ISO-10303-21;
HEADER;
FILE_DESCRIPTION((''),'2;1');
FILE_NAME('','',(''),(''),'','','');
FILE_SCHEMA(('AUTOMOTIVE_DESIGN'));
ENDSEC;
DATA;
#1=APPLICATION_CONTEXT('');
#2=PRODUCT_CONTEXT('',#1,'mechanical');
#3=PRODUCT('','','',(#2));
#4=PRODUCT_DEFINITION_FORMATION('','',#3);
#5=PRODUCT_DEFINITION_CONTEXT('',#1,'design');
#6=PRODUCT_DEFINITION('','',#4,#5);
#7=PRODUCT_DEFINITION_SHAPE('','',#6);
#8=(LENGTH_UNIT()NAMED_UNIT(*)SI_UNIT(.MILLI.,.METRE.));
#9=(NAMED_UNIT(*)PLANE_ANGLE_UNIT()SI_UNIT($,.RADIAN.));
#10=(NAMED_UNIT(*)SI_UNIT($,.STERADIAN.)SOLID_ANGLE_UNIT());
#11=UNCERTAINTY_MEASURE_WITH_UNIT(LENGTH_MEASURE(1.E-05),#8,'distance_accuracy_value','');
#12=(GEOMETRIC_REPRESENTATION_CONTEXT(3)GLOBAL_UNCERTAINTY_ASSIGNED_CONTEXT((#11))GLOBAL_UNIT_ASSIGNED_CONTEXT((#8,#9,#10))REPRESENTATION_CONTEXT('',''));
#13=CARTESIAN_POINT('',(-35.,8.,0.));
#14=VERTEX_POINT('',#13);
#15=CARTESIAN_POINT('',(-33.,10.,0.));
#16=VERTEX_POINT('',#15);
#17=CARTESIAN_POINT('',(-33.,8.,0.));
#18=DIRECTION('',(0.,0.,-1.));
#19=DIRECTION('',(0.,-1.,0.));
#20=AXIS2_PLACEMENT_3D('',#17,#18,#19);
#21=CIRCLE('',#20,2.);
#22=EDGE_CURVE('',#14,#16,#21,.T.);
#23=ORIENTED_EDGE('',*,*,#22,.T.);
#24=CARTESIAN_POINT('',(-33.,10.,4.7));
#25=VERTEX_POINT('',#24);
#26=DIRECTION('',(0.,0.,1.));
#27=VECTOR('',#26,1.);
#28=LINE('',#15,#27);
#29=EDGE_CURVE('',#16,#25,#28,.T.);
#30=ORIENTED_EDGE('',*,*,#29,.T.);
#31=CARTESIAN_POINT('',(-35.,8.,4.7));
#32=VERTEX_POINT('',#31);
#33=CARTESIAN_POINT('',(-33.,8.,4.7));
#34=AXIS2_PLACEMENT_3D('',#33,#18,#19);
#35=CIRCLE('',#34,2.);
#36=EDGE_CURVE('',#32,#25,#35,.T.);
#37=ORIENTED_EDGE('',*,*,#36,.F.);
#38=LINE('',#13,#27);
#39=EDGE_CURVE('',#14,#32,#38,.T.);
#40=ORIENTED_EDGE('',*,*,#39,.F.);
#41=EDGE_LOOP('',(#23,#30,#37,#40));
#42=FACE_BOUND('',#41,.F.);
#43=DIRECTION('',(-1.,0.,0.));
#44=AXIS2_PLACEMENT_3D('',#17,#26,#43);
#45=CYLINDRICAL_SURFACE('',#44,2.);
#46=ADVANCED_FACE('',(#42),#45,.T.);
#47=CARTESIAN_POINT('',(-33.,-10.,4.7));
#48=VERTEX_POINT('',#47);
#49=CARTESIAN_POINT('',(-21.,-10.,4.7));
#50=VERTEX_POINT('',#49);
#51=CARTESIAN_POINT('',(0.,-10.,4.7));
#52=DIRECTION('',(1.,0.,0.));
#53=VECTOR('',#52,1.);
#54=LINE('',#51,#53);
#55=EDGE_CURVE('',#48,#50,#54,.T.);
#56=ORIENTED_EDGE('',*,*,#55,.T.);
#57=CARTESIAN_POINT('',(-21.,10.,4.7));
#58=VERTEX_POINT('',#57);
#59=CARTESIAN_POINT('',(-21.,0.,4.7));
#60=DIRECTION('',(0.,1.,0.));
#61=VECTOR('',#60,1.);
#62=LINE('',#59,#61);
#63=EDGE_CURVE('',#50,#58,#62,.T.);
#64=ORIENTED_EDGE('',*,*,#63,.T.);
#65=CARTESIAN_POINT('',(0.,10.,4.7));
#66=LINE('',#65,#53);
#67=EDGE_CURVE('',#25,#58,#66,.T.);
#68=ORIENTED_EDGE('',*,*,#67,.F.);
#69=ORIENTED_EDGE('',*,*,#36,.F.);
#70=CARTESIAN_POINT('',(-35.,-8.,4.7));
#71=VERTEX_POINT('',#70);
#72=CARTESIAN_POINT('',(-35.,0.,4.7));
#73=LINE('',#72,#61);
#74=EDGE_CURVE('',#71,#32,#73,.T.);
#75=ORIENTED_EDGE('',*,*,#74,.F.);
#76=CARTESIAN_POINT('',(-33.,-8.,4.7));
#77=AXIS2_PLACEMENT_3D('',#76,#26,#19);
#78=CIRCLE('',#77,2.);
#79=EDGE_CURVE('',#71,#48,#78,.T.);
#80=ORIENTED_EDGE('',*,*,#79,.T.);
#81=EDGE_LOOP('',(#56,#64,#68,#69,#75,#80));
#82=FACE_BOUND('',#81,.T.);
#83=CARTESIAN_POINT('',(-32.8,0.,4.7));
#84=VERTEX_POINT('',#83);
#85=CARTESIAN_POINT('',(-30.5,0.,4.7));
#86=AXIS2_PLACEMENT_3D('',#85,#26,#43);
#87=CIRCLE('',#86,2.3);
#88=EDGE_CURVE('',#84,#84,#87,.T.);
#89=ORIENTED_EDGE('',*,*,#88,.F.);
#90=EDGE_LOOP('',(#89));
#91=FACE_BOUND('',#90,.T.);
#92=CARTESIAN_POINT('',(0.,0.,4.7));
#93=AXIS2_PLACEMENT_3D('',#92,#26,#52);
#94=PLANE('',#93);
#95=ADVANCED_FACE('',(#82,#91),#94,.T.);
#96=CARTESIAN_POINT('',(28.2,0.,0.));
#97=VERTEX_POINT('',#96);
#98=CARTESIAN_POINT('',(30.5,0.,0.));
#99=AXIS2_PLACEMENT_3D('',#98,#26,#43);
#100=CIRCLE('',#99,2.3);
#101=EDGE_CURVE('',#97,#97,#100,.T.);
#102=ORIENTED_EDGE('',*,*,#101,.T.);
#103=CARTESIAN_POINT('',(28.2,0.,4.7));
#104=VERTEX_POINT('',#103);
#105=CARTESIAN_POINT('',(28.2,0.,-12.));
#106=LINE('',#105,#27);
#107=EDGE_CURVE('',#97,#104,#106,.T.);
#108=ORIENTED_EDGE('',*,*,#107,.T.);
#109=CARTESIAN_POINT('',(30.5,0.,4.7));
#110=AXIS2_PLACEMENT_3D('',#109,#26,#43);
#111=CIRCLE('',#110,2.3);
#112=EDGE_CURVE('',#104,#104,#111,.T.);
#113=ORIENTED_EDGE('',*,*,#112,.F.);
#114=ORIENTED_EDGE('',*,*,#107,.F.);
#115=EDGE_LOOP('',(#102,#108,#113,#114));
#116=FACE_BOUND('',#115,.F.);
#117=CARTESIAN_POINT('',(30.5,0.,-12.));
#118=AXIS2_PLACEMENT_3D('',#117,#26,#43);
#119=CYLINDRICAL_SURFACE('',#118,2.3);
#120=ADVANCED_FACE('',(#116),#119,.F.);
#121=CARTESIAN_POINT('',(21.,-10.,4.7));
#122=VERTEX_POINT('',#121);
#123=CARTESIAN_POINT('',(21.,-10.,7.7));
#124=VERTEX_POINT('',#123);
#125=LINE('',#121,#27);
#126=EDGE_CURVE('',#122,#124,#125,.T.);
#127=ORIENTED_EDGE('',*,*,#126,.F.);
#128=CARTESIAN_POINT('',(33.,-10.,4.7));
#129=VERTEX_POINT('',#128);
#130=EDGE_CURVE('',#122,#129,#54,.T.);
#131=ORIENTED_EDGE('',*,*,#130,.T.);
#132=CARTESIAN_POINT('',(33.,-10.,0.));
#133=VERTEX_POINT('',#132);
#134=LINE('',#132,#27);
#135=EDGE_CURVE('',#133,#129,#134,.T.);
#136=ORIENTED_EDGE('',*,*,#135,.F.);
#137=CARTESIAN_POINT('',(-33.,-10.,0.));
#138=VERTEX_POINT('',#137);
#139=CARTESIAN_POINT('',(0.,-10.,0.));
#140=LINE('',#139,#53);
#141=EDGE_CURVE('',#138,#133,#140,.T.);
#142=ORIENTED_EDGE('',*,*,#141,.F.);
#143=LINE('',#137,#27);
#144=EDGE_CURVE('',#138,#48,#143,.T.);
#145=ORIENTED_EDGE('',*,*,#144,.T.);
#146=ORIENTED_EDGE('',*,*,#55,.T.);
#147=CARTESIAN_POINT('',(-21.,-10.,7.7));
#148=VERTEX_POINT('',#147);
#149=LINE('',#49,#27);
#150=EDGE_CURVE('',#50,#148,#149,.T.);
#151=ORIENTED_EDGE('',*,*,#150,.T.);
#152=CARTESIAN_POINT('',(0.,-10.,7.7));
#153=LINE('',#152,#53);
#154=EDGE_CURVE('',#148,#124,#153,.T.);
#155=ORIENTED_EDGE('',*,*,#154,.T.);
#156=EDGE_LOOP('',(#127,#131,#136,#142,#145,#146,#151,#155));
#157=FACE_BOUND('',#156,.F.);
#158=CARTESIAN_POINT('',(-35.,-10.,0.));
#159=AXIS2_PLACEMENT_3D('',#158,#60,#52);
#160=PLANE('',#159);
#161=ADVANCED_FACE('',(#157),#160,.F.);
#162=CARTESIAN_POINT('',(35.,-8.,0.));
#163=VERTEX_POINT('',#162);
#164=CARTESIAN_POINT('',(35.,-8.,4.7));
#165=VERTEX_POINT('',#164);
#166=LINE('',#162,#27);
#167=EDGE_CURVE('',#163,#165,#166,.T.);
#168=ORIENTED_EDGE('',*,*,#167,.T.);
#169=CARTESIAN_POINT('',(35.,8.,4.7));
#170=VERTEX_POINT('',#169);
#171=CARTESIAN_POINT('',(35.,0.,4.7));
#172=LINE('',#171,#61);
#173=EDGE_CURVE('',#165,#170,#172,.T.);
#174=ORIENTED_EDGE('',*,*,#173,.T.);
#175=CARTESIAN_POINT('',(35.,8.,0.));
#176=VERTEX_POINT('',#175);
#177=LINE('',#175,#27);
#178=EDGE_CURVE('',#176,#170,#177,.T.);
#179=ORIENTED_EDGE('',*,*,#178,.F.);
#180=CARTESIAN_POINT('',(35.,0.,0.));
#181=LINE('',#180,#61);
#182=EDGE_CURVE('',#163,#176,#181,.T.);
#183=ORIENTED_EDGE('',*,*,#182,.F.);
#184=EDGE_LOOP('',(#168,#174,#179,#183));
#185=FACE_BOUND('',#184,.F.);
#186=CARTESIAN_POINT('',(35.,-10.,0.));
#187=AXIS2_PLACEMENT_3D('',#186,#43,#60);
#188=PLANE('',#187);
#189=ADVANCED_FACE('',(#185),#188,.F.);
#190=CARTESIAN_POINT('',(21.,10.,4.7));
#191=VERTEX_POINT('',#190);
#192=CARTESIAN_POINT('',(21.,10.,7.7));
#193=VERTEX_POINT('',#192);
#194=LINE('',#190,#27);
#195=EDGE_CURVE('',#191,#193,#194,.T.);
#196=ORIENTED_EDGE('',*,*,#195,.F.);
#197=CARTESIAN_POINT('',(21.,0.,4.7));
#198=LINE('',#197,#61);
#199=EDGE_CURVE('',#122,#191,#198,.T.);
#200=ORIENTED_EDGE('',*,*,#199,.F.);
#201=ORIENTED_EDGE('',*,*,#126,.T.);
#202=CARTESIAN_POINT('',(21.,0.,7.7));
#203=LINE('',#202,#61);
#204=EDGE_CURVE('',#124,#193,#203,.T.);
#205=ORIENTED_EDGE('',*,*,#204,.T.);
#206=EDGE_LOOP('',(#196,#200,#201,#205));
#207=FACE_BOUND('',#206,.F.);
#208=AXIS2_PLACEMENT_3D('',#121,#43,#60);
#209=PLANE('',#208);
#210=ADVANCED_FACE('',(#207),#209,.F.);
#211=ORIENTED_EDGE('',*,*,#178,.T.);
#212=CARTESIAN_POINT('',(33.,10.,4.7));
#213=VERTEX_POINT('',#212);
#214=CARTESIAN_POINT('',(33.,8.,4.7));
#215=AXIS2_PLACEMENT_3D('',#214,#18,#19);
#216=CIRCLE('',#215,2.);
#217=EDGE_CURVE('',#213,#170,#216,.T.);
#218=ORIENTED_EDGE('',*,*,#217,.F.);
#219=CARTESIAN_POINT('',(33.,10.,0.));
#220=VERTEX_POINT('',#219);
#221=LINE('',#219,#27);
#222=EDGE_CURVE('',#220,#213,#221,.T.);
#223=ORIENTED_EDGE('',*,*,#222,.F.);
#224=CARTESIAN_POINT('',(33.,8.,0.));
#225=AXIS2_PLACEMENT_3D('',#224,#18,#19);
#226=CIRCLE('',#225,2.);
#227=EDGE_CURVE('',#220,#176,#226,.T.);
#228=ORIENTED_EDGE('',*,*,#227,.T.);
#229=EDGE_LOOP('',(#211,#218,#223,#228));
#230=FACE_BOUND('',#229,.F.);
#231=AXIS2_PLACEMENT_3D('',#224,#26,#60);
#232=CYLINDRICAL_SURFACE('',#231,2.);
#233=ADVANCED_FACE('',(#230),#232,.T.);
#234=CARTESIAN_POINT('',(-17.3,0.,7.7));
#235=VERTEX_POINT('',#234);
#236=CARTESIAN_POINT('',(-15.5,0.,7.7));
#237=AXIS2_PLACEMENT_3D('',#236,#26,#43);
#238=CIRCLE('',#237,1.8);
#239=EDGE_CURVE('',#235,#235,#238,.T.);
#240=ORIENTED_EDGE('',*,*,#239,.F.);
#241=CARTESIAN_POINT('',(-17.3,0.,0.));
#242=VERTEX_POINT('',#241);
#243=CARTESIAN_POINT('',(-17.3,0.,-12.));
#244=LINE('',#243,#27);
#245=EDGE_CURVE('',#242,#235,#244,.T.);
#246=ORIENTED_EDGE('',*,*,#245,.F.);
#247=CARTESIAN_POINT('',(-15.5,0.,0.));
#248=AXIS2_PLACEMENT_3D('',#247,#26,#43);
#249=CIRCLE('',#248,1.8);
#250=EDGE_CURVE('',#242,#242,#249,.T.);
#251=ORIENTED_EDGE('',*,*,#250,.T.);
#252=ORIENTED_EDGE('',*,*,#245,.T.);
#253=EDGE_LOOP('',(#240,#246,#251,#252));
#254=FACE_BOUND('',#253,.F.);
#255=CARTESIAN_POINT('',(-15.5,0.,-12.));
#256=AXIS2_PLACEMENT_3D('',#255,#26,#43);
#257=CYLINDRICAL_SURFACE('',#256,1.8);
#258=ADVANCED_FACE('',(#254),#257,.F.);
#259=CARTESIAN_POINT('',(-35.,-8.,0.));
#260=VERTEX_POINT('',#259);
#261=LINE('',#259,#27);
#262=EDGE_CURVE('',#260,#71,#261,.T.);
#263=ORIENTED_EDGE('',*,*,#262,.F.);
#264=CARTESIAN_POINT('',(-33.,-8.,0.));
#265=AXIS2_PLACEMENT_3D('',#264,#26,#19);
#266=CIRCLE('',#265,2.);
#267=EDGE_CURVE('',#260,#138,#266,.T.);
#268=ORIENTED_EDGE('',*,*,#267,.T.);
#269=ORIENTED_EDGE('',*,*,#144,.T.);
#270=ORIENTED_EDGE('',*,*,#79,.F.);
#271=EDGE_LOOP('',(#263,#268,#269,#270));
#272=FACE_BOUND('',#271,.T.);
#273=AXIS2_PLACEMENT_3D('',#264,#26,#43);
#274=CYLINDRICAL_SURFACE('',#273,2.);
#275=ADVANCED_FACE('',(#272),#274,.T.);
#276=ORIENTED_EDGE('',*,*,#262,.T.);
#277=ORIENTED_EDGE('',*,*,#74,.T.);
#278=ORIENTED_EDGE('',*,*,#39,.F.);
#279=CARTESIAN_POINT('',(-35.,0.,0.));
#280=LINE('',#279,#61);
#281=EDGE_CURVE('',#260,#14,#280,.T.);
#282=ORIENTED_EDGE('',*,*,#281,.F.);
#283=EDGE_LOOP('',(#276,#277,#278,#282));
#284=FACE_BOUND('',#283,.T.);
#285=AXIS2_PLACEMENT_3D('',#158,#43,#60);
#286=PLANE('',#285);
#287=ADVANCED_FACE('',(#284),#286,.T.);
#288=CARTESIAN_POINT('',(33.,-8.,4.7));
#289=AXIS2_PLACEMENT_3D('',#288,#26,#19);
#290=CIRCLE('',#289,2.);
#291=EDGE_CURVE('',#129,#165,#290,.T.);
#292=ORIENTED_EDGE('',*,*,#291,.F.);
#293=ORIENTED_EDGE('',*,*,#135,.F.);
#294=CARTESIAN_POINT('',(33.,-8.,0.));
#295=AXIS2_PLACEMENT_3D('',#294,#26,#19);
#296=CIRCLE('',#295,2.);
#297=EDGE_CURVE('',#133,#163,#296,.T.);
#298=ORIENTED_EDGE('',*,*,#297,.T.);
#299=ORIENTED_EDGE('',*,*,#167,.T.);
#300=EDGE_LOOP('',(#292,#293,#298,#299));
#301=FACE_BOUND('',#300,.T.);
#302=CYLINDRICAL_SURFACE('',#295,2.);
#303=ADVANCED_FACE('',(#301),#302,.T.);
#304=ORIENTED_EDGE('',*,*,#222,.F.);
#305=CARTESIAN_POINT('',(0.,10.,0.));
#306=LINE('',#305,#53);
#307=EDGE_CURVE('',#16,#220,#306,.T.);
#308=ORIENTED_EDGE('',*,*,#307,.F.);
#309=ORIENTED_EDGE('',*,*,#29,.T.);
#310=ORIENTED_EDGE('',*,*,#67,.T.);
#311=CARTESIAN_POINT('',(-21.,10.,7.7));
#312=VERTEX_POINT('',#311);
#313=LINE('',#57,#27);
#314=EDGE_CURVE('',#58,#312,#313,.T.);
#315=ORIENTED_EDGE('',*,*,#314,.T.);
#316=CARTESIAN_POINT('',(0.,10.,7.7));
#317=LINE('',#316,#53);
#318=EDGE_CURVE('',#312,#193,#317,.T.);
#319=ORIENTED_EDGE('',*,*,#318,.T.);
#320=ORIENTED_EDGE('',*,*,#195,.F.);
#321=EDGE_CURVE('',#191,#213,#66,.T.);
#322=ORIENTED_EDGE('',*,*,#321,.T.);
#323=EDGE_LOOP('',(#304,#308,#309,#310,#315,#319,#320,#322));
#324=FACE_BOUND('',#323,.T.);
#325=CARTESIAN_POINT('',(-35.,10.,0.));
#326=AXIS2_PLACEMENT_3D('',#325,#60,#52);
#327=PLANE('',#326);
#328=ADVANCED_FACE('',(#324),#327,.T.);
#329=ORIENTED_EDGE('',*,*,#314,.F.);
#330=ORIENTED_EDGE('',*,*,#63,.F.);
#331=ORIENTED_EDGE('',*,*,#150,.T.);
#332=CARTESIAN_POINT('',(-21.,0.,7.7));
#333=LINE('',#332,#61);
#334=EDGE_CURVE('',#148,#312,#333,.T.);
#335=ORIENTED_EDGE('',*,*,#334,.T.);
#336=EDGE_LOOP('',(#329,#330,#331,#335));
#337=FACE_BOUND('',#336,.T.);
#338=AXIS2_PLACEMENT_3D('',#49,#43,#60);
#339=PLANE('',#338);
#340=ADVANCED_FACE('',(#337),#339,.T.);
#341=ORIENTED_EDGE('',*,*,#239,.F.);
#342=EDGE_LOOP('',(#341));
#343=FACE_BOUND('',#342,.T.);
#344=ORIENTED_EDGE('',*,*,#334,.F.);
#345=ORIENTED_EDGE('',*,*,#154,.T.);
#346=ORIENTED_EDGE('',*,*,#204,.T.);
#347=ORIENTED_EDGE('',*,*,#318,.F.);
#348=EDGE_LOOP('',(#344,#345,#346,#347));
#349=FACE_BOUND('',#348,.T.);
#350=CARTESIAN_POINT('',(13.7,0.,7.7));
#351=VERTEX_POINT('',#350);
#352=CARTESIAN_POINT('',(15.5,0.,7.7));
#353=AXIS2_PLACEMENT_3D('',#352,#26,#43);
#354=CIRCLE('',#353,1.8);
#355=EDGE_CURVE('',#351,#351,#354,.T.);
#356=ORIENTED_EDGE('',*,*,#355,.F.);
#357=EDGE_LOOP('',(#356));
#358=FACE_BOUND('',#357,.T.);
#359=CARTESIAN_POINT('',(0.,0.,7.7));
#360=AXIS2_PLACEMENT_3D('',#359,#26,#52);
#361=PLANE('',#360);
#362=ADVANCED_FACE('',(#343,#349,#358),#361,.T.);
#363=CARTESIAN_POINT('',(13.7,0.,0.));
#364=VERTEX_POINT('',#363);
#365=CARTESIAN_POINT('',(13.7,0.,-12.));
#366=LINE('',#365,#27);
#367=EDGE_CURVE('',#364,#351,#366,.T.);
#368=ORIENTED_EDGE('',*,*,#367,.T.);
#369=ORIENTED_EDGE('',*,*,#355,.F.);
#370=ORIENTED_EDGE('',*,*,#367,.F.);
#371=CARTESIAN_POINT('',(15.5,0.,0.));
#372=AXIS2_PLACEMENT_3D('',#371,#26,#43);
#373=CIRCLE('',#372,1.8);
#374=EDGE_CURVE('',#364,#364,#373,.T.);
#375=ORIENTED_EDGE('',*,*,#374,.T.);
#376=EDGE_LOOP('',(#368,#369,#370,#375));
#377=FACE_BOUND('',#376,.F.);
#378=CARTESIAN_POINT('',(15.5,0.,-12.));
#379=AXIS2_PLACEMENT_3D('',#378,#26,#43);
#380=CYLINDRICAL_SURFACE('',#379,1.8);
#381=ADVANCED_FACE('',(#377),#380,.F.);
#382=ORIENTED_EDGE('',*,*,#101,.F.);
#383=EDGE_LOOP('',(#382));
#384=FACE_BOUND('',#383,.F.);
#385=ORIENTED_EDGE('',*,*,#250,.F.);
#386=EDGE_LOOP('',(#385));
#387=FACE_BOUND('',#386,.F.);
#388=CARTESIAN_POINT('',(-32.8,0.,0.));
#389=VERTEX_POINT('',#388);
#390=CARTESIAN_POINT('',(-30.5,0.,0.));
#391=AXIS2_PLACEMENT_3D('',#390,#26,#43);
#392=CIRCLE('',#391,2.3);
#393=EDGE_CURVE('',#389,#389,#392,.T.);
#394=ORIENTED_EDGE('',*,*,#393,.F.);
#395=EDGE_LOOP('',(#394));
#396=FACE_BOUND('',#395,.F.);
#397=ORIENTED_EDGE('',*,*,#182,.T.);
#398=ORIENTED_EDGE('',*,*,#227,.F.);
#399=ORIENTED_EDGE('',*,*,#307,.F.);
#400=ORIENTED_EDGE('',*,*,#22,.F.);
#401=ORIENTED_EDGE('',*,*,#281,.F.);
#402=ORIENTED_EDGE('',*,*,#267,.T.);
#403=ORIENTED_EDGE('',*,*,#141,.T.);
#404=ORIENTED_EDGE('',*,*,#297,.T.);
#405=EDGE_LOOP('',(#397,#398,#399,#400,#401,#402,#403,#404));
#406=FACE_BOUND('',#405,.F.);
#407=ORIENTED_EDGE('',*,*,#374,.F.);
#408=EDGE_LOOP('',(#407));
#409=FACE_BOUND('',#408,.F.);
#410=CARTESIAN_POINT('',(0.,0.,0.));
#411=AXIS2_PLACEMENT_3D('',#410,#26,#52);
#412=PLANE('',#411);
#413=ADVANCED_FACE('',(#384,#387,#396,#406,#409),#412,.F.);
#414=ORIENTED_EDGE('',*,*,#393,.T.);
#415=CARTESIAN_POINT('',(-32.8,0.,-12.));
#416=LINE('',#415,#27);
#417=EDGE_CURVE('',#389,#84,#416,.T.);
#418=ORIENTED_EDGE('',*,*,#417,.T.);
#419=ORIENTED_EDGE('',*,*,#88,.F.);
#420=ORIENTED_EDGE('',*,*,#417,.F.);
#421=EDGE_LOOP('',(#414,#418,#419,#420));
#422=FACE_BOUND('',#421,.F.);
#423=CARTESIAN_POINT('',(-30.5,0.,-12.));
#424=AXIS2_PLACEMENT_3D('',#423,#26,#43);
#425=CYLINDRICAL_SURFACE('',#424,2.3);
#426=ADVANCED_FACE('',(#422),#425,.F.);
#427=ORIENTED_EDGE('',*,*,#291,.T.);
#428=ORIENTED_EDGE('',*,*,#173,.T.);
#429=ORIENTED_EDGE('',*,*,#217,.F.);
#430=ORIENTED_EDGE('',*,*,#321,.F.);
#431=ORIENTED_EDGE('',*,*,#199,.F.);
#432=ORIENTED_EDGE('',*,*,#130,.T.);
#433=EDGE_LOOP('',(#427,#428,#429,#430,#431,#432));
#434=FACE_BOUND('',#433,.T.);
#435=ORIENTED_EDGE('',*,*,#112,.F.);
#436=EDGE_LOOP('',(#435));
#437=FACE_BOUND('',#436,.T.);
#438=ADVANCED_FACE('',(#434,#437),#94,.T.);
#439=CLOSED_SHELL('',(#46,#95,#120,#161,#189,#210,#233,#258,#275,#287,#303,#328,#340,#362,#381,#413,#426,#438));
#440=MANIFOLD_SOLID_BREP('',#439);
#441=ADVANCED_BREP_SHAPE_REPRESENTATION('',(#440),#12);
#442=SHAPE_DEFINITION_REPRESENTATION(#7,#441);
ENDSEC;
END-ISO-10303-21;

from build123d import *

# Parameters (mm, degrees)
F0_W     = 70
F0_H     = 20
F1_DEPTH = 4.7
F2_W     = 42
F2_H     = 20
F3_DEPTH = 3
F4_D     = 3.6
F4_DEPTH = 12
F5_D     = 4.6
F5_DEPTH = 12
F6_R     = 2


with BuildPart() as f1:
    # F0 (on Top) → F1 (new body)
    with BuildSketch(Plane.XY):
        Rectangle(F0_W, F0_H)
    extrude(amount=F1_DEPTH)

    # F2 (on face) → F3 (join)
    with BuildSketch(Plane.XY.offset(4.7)):
        Rectangle(F2_W, F2_H)
    extrude(amount=F3_DEPTH)

    # F4
    with Locations(Plane(origin=(0, 0, 0), x_dir=(1, 0, 0), z_dir=(0, 0, -1))):
        with Locations((-15.5, 0), (15.5, 0)):
            Hole(F4_D / 2, depth=F4_DEPTH)

    # F5
    with Locations(Plane(origin=(0, 0, 0), x_dir=(1, 0, 0), z_dir=(0, 0, -1))):
        with Locations((-30.5, 0), (30.5, 0)):
            Hole(F5_D / 2, depth=F5_DEPTH)

    # F6
    f6_edges = [f1.edges().sort_by_distance(p)[0] for p in [
        (35, -10, 2.35),
        (35, 10, 2.35),
        (-35, 10, 2.35),
        (-35, -10, 2.35),
    ]]
    fillet(f6_edges, radius=F6_R)


solid = f1.part
